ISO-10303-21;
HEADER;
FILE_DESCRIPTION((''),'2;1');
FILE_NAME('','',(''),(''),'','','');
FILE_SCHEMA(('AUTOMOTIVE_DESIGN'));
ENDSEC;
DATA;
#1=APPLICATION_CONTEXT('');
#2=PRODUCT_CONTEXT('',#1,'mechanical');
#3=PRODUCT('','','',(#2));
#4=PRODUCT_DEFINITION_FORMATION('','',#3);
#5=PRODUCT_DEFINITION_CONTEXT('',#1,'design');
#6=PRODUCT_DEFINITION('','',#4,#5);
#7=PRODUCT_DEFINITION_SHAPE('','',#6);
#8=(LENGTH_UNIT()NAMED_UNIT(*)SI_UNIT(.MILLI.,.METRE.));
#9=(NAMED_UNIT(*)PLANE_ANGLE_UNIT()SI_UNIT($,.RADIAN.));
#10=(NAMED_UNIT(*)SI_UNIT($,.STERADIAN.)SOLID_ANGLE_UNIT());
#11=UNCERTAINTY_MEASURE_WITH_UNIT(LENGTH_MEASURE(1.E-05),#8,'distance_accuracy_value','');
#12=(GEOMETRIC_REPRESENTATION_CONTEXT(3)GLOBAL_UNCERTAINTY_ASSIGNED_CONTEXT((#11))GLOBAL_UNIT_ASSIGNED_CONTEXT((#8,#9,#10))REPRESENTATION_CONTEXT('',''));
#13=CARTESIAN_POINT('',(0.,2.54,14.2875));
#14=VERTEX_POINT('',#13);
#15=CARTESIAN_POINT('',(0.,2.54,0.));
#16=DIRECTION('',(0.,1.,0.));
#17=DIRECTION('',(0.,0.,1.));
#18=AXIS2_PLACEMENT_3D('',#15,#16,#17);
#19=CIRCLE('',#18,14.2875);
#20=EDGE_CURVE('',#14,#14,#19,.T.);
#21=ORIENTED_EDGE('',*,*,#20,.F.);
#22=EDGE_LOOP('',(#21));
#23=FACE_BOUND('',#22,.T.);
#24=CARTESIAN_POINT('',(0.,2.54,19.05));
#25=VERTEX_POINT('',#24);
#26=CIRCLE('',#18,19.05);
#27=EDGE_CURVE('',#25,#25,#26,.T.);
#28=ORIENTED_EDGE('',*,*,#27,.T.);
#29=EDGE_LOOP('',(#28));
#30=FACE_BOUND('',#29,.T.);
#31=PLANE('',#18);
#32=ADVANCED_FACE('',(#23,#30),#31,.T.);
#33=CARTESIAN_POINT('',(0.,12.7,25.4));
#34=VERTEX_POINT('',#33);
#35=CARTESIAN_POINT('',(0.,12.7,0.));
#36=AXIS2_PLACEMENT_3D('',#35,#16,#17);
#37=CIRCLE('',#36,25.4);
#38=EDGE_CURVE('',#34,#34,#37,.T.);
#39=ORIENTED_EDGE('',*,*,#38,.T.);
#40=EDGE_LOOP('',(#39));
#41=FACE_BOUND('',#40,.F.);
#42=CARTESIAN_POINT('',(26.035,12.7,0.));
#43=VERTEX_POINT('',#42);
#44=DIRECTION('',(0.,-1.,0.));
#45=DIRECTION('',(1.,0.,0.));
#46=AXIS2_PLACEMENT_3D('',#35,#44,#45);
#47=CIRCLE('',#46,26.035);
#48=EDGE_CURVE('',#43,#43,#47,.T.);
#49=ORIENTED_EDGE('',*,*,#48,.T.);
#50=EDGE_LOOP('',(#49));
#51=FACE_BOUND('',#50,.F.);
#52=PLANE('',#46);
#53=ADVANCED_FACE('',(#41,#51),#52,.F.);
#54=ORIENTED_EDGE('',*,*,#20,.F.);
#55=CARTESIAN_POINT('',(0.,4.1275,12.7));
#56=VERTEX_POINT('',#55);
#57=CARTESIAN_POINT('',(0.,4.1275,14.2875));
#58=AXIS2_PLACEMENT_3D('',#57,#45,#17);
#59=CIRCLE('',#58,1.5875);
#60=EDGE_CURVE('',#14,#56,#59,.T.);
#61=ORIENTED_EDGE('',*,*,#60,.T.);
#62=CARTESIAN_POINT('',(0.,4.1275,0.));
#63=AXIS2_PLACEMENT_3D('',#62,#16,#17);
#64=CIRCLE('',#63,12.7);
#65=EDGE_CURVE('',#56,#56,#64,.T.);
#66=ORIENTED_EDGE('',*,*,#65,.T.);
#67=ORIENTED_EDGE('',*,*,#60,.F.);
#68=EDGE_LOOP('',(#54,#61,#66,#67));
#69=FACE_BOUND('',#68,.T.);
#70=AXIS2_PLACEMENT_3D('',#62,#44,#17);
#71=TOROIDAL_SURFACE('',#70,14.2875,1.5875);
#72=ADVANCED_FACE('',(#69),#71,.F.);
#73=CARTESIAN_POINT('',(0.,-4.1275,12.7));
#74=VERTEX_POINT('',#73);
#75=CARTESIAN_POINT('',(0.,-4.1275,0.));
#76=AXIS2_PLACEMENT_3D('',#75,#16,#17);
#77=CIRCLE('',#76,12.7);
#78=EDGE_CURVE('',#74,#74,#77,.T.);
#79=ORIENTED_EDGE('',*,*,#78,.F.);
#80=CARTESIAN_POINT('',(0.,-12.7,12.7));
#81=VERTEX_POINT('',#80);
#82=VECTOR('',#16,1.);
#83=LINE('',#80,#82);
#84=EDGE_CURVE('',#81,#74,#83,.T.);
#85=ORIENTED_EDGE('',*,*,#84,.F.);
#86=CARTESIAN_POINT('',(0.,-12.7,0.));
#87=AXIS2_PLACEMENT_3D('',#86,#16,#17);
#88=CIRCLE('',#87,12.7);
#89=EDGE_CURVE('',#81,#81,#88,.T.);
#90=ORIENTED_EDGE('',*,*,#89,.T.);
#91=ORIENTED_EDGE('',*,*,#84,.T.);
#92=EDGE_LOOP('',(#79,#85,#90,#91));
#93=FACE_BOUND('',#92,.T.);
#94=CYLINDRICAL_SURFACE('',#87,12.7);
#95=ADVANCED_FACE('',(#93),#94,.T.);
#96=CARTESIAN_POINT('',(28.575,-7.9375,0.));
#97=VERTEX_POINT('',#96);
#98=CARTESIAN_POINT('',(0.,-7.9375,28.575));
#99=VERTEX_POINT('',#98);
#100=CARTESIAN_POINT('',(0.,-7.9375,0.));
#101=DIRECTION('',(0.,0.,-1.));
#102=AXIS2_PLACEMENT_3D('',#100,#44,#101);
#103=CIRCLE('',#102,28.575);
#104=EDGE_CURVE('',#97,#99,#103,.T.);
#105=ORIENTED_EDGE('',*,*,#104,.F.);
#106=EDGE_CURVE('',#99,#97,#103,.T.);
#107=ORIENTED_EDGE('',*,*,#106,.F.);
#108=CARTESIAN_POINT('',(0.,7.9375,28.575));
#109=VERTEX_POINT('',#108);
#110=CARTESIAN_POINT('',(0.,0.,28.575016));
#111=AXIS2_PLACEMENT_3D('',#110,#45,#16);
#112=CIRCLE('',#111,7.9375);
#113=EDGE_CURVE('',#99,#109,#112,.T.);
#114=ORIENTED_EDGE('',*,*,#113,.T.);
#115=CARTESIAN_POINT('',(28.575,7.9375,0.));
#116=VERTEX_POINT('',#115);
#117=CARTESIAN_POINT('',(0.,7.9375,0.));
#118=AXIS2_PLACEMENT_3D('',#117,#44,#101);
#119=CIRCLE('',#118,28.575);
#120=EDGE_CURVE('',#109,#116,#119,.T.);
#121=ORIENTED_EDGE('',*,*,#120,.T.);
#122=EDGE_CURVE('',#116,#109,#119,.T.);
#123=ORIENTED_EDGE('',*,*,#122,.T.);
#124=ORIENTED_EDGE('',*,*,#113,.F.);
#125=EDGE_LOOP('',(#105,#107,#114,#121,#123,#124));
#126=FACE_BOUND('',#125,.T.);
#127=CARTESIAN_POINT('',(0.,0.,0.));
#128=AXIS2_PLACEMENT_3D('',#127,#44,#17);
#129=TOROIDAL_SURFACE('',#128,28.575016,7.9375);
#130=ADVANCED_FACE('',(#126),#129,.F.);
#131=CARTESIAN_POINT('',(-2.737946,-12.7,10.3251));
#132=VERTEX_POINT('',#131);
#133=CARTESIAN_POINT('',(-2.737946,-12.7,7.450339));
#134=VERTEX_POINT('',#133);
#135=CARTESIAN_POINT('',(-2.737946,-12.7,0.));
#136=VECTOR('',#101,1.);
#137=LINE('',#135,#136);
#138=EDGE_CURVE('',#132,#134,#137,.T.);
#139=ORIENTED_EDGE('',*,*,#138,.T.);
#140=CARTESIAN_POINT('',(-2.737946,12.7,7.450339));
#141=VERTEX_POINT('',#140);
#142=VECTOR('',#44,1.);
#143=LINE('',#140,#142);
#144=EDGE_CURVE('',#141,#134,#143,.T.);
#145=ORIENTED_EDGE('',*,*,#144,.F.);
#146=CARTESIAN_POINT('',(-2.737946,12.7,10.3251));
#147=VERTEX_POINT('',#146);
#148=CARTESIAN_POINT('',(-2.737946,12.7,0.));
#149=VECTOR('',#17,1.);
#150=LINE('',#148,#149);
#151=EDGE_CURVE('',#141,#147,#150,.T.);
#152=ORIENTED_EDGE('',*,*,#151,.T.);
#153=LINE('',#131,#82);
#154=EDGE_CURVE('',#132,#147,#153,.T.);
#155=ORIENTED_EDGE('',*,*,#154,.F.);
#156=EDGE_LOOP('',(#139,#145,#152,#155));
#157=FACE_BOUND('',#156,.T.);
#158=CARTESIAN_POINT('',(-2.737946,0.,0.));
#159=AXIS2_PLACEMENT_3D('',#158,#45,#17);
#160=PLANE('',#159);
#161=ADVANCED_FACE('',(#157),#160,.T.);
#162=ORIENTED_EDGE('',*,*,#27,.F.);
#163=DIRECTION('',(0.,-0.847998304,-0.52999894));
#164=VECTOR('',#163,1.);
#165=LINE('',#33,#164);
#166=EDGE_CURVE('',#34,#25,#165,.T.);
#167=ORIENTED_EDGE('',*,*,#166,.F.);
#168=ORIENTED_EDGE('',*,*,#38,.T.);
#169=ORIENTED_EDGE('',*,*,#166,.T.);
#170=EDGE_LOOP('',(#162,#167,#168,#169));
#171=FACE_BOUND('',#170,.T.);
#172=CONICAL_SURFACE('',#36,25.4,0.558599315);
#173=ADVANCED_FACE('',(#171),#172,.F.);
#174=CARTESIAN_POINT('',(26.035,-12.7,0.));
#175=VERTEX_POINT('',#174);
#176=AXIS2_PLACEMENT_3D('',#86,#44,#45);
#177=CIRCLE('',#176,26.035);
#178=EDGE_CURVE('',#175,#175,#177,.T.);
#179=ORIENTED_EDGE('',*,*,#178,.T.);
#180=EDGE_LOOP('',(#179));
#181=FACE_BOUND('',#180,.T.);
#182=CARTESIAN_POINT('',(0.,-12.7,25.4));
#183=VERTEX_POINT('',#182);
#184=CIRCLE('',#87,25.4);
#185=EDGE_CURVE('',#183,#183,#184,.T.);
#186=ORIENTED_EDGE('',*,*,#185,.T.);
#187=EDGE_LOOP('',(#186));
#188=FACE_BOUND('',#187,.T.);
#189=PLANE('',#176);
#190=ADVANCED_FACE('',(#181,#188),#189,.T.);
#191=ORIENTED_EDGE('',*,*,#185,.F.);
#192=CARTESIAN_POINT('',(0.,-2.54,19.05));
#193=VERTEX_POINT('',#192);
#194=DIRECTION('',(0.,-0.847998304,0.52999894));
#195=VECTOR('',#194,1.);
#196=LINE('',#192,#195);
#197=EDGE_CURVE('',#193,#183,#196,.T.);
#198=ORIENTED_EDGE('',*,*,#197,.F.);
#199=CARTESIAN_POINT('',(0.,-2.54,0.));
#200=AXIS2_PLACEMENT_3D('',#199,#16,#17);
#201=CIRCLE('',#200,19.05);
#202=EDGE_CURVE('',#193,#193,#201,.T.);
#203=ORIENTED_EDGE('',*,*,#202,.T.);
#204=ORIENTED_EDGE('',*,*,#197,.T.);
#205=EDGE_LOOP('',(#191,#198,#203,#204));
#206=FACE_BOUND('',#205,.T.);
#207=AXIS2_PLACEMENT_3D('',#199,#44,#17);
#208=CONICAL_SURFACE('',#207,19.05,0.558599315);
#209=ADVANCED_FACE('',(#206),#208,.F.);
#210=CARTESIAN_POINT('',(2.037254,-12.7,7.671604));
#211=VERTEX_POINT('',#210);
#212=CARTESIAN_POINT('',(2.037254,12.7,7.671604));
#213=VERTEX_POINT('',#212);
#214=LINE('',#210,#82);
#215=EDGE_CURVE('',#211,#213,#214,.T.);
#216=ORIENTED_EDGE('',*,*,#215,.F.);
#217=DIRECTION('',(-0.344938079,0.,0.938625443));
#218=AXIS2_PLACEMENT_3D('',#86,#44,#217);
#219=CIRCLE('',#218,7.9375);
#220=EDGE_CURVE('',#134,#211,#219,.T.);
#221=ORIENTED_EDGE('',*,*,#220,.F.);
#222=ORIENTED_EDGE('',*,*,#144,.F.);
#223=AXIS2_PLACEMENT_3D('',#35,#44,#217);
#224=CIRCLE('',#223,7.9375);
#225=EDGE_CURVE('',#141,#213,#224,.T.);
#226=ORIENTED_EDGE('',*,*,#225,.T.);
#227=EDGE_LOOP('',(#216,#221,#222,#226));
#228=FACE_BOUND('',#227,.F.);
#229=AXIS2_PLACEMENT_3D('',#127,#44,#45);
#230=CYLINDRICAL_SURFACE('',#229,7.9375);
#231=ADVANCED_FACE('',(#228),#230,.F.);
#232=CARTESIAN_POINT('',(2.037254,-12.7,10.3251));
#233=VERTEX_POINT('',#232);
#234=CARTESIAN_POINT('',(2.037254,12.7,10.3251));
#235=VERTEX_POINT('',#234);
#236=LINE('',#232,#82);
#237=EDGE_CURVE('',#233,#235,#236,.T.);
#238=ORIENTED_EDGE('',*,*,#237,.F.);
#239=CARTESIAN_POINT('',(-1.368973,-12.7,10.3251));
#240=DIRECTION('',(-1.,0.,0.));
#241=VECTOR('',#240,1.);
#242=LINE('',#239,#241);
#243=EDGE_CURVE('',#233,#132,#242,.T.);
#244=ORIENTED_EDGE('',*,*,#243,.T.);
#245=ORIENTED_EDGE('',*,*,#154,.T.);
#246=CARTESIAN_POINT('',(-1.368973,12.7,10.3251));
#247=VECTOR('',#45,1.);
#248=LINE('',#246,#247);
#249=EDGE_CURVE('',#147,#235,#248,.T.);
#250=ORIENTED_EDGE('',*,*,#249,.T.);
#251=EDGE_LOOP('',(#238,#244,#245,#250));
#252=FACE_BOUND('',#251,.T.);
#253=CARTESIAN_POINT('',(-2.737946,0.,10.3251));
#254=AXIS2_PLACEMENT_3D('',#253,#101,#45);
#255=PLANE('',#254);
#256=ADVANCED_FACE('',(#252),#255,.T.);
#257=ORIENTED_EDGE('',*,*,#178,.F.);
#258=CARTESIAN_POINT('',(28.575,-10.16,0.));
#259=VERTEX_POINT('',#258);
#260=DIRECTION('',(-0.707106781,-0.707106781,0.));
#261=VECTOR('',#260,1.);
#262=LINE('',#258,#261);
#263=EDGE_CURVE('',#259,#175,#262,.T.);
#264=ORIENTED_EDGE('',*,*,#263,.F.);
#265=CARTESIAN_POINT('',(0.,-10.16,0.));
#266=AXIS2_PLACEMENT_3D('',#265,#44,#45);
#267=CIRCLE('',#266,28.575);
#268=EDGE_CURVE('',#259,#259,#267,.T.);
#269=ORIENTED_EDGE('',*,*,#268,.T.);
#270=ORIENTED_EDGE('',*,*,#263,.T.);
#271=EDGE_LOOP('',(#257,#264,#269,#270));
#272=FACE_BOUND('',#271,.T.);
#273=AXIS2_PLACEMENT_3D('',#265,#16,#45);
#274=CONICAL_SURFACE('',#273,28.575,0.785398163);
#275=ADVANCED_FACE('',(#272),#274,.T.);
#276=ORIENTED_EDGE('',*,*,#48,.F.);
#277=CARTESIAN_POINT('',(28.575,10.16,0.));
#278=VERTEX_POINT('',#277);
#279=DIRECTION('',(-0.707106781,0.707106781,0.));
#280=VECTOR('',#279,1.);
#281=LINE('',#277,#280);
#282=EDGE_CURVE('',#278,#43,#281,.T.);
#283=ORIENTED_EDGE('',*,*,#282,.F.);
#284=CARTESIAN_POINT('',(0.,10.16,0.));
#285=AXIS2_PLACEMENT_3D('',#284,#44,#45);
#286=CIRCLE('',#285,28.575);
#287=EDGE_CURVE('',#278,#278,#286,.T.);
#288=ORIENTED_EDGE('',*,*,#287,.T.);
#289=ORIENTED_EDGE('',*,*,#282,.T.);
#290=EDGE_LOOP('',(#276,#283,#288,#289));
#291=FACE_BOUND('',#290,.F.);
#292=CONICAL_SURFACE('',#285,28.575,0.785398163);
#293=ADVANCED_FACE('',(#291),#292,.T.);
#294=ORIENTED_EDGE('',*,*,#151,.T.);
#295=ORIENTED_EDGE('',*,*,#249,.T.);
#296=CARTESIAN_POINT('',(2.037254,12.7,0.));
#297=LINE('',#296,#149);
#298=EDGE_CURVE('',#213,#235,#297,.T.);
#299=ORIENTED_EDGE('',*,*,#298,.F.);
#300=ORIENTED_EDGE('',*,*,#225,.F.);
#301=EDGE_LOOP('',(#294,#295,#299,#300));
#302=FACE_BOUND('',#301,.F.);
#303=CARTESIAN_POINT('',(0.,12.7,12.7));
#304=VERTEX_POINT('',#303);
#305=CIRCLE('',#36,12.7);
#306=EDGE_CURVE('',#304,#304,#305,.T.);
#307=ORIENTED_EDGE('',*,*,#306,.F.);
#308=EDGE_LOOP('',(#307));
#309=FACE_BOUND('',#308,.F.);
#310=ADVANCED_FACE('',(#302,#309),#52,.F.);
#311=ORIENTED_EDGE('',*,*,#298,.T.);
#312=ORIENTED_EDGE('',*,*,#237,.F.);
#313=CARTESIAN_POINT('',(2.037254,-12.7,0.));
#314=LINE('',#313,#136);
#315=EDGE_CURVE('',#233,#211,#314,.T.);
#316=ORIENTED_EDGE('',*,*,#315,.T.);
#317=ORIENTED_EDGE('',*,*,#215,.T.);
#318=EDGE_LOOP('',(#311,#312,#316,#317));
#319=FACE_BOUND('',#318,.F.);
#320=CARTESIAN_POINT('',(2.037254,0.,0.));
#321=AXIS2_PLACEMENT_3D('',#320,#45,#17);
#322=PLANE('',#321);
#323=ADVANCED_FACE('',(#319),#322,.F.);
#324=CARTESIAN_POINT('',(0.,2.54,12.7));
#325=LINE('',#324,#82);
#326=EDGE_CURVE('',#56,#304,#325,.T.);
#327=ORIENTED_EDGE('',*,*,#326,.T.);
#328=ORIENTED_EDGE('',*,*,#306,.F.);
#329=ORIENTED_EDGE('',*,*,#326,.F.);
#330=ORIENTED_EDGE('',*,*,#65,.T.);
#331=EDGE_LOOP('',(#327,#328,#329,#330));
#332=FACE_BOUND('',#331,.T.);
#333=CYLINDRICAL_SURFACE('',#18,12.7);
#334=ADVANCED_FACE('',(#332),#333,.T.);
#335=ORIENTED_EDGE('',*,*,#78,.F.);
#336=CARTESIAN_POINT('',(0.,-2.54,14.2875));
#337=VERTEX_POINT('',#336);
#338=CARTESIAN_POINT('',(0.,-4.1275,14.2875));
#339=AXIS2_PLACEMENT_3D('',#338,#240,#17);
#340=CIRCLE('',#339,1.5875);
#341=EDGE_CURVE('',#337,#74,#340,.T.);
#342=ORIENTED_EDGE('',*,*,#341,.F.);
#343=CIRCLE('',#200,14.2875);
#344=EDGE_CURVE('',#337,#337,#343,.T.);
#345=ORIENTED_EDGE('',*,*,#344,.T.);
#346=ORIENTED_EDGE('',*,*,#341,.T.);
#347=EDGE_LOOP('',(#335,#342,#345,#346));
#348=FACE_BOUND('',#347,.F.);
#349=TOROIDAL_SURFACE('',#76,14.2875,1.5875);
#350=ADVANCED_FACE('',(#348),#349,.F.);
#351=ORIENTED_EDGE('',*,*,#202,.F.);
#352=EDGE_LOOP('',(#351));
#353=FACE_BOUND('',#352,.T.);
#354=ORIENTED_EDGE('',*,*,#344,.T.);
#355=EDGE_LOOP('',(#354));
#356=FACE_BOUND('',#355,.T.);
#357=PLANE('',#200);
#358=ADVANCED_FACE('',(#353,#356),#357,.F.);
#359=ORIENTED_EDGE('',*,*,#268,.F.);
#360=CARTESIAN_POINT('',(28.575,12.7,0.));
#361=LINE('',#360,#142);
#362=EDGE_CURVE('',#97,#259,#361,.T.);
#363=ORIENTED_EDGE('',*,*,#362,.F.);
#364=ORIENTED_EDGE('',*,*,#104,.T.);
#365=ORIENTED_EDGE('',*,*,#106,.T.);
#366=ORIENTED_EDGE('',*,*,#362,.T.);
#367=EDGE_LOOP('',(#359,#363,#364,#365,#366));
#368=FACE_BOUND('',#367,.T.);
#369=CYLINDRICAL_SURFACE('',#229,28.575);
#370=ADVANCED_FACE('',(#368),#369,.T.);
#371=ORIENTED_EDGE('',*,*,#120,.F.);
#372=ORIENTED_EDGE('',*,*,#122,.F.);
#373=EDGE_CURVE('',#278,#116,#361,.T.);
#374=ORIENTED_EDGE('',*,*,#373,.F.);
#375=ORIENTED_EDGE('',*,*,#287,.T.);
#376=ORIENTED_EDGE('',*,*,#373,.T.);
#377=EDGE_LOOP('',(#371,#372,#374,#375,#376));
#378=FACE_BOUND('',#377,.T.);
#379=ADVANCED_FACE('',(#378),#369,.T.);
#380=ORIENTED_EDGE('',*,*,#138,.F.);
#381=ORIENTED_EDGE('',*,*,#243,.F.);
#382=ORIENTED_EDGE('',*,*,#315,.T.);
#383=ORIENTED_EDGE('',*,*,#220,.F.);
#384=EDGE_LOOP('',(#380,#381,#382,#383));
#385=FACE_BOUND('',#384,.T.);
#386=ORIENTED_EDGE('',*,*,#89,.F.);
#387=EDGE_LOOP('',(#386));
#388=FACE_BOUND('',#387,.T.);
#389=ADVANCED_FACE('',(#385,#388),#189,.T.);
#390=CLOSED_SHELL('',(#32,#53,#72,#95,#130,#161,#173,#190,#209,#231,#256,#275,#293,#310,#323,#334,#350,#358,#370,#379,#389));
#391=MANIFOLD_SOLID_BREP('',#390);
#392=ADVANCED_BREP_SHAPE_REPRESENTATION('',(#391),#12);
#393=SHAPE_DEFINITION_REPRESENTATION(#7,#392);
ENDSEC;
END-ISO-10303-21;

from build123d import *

# Parameters (mm, degrees)
F0_R          = 28.575
F0_R_2        = 7.9375
F1_DEPTH      = 12.7
F1_DEPTH_BACK = 12.7
F2_R          = 7.9375
F6_SIZE2      = 2.54
F6_SIZE       = 2.54
F7_R          = 1.5875
F8_W          = 4.7752
F8_H          = 10.3251
F9_DEPTH      = 15.4178
F9_DEPTH_BACK = 13.716


with BuildPart() as f1:
    # F0 (on Front) → F1 (new body, two sides)
    with BuildSketch(Plane.XZ) as f1_sk:
        Circle(F0_R)
        Circle(F0_R_2, mode=Mode.SUBTRACT)
    extrude(amount=F1_DEPTH)
    extrude(f1_sk.sketch, amount=-F1_DEPTH_BACK)

    # F2 (on Right) → F3 (revolve, cut)
    with BuildSketch(Plane.YZ):
        with Locations((0, 28.575016)):
            Circle(F2_R)
    revolve(axis=Axis((0, 66.637202, 0), (0, 1, 0)), mode=Mode.SUBTRACT)

    # F4 (on Right) → F5 (revolve, cut)
    with BuildSketch(Plane.YZ):
        Polygon((2.54, 19.05), (2.54, 12.7), (12.7, 12.7), (12.7, 25.4), align=None)
        Polygon((-12.7, 12.7), (-2.54, 12.7), (-2.54, 19.05), (-12.7, 25.4), align=None)
    revolve(axis=Axis((0, 24.1046, 0), (0, 1, 0)), mode=Mode.SUBTRACT)

    # F6
    f6_edges = [f1.edges().sort_by_distance(p)[0] for p in [
        (-28.575, 12.7, 0),
        (-28.575, -12.7, 0),
    ]]
    chamfer(f6_edges, length=F6_SIZE, length2=F6_SIZE2)

    # F7
    f7_edges = [f1.edges().sort_by_distance(p)[0] for p in [
        (0, 2.54, -12.7),
        (0, -2.54, -12.7),
    ]]
    fillet(f7_edges, radius=F7_R)

    # F8 (on Front) → F9 (cut, two sides)
    with BuildSketch(Plane.XZ) as f9_sk:
        with Locations((-0.350346, 5.16255)):
            Rectangle(F8_W, F8_H)
    extrude(amount=F9_DEPTH, mode=Mode.SUBTRACT)
    extrude(f9_sk.sketch, amount=-F9_DEPTH_BACK, mode=Mode.SUBTRACT)


solid = f1.part
